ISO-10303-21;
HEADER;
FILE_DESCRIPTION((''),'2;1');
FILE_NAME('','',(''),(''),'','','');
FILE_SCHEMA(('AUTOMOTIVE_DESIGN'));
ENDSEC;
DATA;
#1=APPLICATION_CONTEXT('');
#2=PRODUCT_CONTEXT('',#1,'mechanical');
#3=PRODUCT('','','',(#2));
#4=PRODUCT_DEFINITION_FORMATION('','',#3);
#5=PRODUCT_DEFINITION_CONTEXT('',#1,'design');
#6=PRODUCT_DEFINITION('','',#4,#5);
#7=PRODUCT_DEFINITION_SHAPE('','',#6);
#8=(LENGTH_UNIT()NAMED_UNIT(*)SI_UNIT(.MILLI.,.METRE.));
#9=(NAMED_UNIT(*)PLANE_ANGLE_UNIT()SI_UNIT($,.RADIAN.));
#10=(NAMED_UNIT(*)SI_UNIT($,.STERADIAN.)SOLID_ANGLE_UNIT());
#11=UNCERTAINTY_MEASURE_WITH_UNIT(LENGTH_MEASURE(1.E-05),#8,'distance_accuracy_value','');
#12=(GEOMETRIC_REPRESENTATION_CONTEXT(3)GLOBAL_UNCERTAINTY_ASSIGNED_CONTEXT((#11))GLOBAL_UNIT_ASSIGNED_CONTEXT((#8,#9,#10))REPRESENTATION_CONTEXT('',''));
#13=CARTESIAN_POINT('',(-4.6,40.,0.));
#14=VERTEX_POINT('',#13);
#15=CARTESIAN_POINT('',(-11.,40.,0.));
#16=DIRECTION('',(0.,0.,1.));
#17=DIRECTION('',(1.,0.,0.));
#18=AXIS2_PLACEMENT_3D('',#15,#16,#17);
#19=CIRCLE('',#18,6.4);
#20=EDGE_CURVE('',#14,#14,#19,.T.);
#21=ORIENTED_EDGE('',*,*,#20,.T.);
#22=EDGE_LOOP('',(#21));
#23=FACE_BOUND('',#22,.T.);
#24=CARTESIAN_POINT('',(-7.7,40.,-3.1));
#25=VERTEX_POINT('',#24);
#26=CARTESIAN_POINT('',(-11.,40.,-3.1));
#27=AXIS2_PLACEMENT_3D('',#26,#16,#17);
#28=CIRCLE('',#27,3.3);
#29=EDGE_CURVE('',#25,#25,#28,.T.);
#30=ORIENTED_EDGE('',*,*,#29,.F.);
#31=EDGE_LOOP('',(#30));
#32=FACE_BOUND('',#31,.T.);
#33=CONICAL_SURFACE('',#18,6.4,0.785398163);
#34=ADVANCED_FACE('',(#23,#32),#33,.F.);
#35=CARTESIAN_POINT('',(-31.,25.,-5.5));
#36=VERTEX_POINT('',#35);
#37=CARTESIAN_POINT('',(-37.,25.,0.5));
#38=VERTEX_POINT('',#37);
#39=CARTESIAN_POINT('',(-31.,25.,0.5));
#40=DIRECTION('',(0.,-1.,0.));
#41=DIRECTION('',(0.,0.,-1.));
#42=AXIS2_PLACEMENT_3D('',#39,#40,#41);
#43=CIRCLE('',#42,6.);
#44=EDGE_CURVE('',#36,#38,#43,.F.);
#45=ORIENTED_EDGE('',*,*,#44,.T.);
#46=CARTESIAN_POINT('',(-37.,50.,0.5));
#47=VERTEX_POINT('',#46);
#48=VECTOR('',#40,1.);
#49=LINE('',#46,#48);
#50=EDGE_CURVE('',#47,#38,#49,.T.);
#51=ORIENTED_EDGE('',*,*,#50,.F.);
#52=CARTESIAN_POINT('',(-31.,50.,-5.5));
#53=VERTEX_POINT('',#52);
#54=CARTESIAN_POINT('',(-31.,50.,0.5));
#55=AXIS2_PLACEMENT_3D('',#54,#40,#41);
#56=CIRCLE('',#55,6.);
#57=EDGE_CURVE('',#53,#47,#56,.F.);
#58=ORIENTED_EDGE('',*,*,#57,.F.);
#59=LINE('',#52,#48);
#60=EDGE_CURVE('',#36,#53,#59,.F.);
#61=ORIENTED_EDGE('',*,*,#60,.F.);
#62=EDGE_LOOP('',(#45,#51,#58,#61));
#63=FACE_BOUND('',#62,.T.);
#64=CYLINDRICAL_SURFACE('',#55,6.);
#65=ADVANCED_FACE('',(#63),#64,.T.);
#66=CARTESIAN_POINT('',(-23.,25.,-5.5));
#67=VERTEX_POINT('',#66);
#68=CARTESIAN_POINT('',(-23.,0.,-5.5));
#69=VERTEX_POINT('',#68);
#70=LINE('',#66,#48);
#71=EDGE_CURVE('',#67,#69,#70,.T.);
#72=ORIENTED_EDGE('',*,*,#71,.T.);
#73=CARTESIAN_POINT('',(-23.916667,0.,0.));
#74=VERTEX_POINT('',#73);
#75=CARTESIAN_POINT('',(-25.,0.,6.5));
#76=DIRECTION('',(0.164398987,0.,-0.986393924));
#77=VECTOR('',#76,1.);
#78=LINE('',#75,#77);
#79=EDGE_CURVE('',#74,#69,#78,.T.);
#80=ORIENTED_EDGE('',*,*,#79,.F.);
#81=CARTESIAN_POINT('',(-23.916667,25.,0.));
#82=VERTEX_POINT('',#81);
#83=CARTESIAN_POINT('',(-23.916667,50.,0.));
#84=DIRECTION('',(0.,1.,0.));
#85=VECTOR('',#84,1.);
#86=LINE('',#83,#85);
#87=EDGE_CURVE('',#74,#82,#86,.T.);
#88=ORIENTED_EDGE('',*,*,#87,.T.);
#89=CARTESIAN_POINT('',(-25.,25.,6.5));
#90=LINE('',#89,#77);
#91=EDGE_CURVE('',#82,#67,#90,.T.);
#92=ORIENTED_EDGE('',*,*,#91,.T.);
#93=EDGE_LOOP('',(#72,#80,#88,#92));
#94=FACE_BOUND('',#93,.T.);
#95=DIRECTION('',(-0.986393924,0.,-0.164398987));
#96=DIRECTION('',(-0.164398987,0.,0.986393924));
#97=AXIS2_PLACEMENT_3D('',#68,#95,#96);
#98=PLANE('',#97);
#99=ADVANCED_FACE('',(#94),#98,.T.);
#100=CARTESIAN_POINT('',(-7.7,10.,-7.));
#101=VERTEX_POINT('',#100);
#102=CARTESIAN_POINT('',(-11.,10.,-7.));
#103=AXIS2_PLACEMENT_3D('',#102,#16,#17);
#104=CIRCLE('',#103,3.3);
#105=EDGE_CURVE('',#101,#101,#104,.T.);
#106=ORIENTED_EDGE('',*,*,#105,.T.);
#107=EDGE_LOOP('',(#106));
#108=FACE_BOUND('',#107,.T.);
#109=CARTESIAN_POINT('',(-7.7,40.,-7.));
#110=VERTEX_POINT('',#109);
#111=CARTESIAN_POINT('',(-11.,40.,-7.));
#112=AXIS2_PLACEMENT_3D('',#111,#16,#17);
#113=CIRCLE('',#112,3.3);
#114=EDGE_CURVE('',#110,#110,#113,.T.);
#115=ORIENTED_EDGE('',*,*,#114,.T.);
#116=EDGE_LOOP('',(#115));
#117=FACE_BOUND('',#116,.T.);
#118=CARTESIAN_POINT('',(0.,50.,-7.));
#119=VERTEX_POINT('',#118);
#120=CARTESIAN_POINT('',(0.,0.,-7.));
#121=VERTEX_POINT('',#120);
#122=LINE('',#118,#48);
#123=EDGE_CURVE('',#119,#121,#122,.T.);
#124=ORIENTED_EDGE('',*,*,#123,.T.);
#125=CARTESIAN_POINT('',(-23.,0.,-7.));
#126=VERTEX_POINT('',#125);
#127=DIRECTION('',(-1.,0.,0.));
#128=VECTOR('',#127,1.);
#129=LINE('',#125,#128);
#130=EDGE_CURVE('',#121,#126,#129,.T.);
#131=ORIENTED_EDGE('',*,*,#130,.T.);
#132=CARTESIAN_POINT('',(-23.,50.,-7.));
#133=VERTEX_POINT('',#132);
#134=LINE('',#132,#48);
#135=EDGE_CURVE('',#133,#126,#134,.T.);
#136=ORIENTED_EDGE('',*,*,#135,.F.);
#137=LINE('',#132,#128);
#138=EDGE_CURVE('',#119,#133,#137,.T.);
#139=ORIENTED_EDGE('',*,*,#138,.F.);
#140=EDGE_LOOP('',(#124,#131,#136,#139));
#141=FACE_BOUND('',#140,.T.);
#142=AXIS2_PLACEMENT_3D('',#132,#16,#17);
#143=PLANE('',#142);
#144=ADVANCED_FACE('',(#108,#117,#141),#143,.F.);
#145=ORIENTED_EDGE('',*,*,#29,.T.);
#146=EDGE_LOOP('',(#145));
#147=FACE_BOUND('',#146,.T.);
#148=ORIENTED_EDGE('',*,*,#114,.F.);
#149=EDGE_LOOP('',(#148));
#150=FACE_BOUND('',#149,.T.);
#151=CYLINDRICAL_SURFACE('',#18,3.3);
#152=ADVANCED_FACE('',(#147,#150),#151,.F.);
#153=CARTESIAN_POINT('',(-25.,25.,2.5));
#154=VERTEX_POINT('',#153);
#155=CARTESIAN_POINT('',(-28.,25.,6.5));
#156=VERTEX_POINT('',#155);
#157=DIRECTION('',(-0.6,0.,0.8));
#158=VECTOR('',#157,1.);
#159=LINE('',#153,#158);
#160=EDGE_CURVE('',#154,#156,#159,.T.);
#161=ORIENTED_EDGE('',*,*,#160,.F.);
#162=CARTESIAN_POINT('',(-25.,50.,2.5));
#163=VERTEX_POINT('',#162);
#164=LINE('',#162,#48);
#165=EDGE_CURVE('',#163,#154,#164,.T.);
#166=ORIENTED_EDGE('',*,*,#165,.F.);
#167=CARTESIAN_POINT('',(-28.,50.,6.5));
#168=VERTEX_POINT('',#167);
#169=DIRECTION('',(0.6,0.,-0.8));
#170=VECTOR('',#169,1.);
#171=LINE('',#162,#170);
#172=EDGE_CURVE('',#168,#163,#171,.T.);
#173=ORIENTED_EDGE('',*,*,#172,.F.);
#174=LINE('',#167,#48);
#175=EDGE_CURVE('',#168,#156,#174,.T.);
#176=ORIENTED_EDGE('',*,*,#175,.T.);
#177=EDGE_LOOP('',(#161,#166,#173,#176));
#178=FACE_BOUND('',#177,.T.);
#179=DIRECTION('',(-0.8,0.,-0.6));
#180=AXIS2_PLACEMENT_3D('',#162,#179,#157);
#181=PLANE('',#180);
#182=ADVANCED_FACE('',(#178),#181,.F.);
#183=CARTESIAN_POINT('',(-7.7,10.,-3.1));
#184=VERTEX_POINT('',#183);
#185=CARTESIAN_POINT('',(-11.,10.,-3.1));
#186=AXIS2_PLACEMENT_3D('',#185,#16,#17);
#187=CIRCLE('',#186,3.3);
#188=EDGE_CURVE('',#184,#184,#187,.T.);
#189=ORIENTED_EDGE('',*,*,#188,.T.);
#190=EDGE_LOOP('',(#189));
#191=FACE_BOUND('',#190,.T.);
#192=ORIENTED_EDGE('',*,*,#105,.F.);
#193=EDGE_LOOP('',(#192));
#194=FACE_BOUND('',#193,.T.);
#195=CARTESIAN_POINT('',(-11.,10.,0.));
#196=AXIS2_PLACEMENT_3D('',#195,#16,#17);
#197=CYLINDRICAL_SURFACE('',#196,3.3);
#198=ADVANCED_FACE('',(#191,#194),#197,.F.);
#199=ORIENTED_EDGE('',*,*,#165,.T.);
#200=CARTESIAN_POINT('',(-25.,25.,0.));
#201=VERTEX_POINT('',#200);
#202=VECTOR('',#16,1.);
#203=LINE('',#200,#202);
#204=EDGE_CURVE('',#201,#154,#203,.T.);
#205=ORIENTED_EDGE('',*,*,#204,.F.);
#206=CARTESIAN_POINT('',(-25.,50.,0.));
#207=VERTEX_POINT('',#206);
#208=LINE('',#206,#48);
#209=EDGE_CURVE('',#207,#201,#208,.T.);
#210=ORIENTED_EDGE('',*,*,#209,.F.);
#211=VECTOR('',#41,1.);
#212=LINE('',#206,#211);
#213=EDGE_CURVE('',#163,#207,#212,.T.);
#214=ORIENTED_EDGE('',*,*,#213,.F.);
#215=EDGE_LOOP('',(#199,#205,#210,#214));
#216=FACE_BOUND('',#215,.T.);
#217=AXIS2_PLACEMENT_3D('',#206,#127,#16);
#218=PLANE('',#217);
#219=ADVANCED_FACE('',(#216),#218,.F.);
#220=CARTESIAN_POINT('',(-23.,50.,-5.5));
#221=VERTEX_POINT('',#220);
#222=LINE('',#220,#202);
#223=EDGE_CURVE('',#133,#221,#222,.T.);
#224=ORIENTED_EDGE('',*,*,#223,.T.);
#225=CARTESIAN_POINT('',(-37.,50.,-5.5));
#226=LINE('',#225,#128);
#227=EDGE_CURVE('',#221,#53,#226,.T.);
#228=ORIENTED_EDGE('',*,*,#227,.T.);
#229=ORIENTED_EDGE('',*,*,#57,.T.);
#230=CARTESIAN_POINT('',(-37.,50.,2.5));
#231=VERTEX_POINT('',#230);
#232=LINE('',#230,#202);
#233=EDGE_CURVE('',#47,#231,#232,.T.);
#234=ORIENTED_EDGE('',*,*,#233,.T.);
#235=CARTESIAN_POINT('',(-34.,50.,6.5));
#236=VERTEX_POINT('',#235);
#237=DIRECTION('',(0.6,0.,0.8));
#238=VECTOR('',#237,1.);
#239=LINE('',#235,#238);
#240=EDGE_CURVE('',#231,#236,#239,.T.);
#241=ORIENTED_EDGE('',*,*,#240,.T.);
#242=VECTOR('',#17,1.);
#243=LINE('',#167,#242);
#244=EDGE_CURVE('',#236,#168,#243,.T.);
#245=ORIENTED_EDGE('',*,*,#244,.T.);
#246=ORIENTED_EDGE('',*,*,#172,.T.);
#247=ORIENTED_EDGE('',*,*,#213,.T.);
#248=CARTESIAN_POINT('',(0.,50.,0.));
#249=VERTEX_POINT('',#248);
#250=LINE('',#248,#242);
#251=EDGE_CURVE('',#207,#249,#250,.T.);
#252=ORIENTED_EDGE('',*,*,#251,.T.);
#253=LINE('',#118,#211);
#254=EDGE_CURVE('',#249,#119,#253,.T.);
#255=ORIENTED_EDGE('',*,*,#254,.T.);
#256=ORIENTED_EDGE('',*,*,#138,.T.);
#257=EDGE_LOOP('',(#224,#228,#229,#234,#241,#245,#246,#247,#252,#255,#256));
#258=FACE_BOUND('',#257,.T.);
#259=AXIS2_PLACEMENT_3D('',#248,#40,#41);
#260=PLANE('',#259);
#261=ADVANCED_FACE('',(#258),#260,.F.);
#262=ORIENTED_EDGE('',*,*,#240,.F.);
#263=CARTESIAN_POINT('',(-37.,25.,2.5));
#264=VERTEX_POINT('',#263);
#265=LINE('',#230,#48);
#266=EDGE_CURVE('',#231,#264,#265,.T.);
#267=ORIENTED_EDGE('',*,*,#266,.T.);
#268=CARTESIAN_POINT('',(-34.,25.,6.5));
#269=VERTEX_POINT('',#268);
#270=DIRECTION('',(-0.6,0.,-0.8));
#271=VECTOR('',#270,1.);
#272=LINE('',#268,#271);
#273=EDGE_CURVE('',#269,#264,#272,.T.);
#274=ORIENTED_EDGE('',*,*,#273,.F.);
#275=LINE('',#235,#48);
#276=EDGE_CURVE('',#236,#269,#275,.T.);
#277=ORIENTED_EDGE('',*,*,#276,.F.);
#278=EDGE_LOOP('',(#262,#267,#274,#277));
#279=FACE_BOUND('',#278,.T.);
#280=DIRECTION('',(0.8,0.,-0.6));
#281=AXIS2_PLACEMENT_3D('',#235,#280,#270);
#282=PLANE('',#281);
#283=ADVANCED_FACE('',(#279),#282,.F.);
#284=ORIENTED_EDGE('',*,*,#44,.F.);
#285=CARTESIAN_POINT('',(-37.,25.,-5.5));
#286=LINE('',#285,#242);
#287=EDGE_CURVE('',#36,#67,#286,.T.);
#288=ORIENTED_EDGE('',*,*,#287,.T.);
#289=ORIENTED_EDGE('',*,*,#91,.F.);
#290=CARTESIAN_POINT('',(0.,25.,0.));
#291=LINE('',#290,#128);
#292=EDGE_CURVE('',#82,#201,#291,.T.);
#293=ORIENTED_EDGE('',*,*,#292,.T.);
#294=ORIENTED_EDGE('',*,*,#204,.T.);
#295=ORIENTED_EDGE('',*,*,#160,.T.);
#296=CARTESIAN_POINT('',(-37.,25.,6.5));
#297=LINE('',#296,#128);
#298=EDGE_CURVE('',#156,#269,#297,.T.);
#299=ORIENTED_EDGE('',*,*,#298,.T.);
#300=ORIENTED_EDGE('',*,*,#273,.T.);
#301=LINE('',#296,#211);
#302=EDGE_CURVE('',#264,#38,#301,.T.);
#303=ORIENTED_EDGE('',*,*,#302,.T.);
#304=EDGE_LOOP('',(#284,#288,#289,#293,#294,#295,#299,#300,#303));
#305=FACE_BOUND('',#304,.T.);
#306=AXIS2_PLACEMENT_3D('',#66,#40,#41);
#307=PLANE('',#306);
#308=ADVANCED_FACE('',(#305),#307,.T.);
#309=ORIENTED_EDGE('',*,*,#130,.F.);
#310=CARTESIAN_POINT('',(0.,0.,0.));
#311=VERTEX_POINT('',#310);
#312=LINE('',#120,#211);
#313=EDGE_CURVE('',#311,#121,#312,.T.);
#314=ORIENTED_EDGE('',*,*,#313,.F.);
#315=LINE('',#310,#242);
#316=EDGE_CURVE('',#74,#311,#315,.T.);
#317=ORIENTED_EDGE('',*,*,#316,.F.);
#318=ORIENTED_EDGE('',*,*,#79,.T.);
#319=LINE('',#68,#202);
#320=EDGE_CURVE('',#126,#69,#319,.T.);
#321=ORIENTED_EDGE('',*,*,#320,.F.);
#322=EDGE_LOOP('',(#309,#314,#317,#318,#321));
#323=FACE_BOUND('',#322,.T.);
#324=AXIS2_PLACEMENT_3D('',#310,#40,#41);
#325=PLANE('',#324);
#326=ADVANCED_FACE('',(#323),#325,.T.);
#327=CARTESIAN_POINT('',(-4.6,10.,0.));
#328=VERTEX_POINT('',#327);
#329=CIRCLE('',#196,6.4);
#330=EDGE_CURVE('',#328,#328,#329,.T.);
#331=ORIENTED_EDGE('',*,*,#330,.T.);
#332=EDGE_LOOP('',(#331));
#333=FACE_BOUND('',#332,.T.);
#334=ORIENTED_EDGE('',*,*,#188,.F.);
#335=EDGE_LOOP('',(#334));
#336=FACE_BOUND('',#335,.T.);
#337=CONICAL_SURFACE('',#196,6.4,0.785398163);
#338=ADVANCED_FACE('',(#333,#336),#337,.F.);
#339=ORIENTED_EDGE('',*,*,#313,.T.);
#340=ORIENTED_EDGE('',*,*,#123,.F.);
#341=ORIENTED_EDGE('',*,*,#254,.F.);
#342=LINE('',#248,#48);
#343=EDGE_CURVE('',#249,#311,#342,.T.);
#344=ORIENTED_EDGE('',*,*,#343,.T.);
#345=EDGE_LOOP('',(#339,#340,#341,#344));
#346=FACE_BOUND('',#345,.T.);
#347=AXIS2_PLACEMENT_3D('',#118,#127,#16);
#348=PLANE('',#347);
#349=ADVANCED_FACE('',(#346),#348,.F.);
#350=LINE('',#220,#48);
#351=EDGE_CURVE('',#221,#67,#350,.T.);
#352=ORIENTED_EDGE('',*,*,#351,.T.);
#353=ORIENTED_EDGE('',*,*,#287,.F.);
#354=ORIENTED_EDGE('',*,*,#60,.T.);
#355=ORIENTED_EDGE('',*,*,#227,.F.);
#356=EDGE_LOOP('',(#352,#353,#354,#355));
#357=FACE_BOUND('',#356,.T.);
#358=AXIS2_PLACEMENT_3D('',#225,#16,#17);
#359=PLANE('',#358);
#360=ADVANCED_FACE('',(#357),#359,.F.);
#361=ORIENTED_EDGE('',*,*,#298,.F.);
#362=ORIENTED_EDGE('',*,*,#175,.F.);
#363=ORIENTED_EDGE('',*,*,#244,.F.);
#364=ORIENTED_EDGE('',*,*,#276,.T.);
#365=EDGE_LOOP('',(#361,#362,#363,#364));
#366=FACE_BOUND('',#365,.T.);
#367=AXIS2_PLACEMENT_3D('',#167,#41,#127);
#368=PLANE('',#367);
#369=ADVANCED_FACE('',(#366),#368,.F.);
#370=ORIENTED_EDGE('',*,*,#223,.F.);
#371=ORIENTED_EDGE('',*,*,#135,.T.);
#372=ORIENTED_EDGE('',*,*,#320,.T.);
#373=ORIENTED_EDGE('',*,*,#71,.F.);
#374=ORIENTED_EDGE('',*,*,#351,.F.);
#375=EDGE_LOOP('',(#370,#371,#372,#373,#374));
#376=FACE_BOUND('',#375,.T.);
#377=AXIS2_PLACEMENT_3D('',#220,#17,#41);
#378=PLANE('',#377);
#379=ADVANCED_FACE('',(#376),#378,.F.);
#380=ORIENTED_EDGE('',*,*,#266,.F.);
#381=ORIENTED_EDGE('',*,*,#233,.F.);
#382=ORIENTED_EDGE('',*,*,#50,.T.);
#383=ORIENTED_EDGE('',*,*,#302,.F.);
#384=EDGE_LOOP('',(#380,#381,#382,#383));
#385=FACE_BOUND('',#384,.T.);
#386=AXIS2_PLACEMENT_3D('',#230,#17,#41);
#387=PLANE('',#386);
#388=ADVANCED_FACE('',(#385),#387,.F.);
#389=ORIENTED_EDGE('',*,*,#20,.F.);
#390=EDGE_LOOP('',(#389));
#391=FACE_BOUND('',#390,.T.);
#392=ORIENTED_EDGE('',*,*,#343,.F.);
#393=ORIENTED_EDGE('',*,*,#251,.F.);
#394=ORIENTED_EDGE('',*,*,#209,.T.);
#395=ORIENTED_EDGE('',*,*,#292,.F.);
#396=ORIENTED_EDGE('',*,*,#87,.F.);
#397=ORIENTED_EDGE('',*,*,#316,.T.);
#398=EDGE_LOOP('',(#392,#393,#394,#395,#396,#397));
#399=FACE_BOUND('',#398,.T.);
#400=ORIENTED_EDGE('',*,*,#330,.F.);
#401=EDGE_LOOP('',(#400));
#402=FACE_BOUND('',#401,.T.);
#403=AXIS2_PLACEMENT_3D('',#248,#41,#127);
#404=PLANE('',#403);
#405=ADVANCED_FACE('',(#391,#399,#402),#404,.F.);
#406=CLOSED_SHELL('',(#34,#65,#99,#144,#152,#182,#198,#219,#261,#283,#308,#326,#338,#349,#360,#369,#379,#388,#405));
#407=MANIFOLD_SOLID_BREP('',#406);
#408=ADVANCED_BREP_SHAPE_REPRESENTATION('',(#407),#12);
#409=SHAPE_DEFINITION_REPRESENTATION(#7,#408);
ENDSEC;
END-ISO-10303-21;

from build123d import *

# Parameters (mm, degrees)
EXTRUDE_1_DEPTH           = 50
FILLET_1_R                = 6
HOLE_WIZARD_1_D           = 6.6
HOLE_WIZARD_1_CSINK_D     = 12.8
HOLE_WIZARD_1_CSINK_ANGLE = 90


with BuildPart() as part:
    # 草图1 → 凸台-拉伸1 (new body)
    with BuildSketch(Plane(origin=(0, 0, 0), x_dir=(1, 0, 0), z_dir=(0, 1, 0))):
        Polygon((0, 0), (-25, 0), (-25, -2.5), (-28, -6.5), (-34, -6.5), (-37, -2.5), (-37, 5.5), (-23, 5.5), (-23, 7), (0, 7), align=None)
    extrude(amount=EXTRUDE_1_DEPTH)

    # 圆角1
    fillet_1_edges = [part.edges().sort_by_distance(p)[0] for p in [
        (-37, 25, -5.5),
    ]]
    fillet(fillet_1_edges, radius=FILLET_1_R)

    # 打孔尺寸根据内六角花形半沉头螺钉的类型1 (through all)
    with Locations(Plane.XY):
        with Locations((-11, 40), (-11, 10)):
            CounterSinkHole(HOLE_WIZARD_1_D / 2, HOLE_WIZARD_1_CSINK_D / 2, counter_sink_angle=HOLE_WIZARD_1_CSINK_ANGLE)

    # 草图2 → 切除-放样1 section 0
    with BuildSketch(Plane.XY.offset(6.5)):
        with BuildLine():
            Line((-37, 0), (-25, 0))
            Line((-25, 0), (-25, 25))
            Line((-25, 25), (-37, 25))
            Line((-37, 25), (-37, 0))
        make_face()
    # 草图5 → 切除-放样1 section 1
    with BuildSketch(Plane(origin=(0, 0, -5.5), x_dir=(-1, 0, 0), z_dir=(0, 0, -1))):
        with BuildLine():
            Line((37, 25), (23, 25))
            Line((23, 25), (23, 0))
            Line((23, 0), (37, 0))
            Line((37, 0), (37, 25))
        make_face()
    loft(mode=Mode.SUBTRACT)


solid = part.part
